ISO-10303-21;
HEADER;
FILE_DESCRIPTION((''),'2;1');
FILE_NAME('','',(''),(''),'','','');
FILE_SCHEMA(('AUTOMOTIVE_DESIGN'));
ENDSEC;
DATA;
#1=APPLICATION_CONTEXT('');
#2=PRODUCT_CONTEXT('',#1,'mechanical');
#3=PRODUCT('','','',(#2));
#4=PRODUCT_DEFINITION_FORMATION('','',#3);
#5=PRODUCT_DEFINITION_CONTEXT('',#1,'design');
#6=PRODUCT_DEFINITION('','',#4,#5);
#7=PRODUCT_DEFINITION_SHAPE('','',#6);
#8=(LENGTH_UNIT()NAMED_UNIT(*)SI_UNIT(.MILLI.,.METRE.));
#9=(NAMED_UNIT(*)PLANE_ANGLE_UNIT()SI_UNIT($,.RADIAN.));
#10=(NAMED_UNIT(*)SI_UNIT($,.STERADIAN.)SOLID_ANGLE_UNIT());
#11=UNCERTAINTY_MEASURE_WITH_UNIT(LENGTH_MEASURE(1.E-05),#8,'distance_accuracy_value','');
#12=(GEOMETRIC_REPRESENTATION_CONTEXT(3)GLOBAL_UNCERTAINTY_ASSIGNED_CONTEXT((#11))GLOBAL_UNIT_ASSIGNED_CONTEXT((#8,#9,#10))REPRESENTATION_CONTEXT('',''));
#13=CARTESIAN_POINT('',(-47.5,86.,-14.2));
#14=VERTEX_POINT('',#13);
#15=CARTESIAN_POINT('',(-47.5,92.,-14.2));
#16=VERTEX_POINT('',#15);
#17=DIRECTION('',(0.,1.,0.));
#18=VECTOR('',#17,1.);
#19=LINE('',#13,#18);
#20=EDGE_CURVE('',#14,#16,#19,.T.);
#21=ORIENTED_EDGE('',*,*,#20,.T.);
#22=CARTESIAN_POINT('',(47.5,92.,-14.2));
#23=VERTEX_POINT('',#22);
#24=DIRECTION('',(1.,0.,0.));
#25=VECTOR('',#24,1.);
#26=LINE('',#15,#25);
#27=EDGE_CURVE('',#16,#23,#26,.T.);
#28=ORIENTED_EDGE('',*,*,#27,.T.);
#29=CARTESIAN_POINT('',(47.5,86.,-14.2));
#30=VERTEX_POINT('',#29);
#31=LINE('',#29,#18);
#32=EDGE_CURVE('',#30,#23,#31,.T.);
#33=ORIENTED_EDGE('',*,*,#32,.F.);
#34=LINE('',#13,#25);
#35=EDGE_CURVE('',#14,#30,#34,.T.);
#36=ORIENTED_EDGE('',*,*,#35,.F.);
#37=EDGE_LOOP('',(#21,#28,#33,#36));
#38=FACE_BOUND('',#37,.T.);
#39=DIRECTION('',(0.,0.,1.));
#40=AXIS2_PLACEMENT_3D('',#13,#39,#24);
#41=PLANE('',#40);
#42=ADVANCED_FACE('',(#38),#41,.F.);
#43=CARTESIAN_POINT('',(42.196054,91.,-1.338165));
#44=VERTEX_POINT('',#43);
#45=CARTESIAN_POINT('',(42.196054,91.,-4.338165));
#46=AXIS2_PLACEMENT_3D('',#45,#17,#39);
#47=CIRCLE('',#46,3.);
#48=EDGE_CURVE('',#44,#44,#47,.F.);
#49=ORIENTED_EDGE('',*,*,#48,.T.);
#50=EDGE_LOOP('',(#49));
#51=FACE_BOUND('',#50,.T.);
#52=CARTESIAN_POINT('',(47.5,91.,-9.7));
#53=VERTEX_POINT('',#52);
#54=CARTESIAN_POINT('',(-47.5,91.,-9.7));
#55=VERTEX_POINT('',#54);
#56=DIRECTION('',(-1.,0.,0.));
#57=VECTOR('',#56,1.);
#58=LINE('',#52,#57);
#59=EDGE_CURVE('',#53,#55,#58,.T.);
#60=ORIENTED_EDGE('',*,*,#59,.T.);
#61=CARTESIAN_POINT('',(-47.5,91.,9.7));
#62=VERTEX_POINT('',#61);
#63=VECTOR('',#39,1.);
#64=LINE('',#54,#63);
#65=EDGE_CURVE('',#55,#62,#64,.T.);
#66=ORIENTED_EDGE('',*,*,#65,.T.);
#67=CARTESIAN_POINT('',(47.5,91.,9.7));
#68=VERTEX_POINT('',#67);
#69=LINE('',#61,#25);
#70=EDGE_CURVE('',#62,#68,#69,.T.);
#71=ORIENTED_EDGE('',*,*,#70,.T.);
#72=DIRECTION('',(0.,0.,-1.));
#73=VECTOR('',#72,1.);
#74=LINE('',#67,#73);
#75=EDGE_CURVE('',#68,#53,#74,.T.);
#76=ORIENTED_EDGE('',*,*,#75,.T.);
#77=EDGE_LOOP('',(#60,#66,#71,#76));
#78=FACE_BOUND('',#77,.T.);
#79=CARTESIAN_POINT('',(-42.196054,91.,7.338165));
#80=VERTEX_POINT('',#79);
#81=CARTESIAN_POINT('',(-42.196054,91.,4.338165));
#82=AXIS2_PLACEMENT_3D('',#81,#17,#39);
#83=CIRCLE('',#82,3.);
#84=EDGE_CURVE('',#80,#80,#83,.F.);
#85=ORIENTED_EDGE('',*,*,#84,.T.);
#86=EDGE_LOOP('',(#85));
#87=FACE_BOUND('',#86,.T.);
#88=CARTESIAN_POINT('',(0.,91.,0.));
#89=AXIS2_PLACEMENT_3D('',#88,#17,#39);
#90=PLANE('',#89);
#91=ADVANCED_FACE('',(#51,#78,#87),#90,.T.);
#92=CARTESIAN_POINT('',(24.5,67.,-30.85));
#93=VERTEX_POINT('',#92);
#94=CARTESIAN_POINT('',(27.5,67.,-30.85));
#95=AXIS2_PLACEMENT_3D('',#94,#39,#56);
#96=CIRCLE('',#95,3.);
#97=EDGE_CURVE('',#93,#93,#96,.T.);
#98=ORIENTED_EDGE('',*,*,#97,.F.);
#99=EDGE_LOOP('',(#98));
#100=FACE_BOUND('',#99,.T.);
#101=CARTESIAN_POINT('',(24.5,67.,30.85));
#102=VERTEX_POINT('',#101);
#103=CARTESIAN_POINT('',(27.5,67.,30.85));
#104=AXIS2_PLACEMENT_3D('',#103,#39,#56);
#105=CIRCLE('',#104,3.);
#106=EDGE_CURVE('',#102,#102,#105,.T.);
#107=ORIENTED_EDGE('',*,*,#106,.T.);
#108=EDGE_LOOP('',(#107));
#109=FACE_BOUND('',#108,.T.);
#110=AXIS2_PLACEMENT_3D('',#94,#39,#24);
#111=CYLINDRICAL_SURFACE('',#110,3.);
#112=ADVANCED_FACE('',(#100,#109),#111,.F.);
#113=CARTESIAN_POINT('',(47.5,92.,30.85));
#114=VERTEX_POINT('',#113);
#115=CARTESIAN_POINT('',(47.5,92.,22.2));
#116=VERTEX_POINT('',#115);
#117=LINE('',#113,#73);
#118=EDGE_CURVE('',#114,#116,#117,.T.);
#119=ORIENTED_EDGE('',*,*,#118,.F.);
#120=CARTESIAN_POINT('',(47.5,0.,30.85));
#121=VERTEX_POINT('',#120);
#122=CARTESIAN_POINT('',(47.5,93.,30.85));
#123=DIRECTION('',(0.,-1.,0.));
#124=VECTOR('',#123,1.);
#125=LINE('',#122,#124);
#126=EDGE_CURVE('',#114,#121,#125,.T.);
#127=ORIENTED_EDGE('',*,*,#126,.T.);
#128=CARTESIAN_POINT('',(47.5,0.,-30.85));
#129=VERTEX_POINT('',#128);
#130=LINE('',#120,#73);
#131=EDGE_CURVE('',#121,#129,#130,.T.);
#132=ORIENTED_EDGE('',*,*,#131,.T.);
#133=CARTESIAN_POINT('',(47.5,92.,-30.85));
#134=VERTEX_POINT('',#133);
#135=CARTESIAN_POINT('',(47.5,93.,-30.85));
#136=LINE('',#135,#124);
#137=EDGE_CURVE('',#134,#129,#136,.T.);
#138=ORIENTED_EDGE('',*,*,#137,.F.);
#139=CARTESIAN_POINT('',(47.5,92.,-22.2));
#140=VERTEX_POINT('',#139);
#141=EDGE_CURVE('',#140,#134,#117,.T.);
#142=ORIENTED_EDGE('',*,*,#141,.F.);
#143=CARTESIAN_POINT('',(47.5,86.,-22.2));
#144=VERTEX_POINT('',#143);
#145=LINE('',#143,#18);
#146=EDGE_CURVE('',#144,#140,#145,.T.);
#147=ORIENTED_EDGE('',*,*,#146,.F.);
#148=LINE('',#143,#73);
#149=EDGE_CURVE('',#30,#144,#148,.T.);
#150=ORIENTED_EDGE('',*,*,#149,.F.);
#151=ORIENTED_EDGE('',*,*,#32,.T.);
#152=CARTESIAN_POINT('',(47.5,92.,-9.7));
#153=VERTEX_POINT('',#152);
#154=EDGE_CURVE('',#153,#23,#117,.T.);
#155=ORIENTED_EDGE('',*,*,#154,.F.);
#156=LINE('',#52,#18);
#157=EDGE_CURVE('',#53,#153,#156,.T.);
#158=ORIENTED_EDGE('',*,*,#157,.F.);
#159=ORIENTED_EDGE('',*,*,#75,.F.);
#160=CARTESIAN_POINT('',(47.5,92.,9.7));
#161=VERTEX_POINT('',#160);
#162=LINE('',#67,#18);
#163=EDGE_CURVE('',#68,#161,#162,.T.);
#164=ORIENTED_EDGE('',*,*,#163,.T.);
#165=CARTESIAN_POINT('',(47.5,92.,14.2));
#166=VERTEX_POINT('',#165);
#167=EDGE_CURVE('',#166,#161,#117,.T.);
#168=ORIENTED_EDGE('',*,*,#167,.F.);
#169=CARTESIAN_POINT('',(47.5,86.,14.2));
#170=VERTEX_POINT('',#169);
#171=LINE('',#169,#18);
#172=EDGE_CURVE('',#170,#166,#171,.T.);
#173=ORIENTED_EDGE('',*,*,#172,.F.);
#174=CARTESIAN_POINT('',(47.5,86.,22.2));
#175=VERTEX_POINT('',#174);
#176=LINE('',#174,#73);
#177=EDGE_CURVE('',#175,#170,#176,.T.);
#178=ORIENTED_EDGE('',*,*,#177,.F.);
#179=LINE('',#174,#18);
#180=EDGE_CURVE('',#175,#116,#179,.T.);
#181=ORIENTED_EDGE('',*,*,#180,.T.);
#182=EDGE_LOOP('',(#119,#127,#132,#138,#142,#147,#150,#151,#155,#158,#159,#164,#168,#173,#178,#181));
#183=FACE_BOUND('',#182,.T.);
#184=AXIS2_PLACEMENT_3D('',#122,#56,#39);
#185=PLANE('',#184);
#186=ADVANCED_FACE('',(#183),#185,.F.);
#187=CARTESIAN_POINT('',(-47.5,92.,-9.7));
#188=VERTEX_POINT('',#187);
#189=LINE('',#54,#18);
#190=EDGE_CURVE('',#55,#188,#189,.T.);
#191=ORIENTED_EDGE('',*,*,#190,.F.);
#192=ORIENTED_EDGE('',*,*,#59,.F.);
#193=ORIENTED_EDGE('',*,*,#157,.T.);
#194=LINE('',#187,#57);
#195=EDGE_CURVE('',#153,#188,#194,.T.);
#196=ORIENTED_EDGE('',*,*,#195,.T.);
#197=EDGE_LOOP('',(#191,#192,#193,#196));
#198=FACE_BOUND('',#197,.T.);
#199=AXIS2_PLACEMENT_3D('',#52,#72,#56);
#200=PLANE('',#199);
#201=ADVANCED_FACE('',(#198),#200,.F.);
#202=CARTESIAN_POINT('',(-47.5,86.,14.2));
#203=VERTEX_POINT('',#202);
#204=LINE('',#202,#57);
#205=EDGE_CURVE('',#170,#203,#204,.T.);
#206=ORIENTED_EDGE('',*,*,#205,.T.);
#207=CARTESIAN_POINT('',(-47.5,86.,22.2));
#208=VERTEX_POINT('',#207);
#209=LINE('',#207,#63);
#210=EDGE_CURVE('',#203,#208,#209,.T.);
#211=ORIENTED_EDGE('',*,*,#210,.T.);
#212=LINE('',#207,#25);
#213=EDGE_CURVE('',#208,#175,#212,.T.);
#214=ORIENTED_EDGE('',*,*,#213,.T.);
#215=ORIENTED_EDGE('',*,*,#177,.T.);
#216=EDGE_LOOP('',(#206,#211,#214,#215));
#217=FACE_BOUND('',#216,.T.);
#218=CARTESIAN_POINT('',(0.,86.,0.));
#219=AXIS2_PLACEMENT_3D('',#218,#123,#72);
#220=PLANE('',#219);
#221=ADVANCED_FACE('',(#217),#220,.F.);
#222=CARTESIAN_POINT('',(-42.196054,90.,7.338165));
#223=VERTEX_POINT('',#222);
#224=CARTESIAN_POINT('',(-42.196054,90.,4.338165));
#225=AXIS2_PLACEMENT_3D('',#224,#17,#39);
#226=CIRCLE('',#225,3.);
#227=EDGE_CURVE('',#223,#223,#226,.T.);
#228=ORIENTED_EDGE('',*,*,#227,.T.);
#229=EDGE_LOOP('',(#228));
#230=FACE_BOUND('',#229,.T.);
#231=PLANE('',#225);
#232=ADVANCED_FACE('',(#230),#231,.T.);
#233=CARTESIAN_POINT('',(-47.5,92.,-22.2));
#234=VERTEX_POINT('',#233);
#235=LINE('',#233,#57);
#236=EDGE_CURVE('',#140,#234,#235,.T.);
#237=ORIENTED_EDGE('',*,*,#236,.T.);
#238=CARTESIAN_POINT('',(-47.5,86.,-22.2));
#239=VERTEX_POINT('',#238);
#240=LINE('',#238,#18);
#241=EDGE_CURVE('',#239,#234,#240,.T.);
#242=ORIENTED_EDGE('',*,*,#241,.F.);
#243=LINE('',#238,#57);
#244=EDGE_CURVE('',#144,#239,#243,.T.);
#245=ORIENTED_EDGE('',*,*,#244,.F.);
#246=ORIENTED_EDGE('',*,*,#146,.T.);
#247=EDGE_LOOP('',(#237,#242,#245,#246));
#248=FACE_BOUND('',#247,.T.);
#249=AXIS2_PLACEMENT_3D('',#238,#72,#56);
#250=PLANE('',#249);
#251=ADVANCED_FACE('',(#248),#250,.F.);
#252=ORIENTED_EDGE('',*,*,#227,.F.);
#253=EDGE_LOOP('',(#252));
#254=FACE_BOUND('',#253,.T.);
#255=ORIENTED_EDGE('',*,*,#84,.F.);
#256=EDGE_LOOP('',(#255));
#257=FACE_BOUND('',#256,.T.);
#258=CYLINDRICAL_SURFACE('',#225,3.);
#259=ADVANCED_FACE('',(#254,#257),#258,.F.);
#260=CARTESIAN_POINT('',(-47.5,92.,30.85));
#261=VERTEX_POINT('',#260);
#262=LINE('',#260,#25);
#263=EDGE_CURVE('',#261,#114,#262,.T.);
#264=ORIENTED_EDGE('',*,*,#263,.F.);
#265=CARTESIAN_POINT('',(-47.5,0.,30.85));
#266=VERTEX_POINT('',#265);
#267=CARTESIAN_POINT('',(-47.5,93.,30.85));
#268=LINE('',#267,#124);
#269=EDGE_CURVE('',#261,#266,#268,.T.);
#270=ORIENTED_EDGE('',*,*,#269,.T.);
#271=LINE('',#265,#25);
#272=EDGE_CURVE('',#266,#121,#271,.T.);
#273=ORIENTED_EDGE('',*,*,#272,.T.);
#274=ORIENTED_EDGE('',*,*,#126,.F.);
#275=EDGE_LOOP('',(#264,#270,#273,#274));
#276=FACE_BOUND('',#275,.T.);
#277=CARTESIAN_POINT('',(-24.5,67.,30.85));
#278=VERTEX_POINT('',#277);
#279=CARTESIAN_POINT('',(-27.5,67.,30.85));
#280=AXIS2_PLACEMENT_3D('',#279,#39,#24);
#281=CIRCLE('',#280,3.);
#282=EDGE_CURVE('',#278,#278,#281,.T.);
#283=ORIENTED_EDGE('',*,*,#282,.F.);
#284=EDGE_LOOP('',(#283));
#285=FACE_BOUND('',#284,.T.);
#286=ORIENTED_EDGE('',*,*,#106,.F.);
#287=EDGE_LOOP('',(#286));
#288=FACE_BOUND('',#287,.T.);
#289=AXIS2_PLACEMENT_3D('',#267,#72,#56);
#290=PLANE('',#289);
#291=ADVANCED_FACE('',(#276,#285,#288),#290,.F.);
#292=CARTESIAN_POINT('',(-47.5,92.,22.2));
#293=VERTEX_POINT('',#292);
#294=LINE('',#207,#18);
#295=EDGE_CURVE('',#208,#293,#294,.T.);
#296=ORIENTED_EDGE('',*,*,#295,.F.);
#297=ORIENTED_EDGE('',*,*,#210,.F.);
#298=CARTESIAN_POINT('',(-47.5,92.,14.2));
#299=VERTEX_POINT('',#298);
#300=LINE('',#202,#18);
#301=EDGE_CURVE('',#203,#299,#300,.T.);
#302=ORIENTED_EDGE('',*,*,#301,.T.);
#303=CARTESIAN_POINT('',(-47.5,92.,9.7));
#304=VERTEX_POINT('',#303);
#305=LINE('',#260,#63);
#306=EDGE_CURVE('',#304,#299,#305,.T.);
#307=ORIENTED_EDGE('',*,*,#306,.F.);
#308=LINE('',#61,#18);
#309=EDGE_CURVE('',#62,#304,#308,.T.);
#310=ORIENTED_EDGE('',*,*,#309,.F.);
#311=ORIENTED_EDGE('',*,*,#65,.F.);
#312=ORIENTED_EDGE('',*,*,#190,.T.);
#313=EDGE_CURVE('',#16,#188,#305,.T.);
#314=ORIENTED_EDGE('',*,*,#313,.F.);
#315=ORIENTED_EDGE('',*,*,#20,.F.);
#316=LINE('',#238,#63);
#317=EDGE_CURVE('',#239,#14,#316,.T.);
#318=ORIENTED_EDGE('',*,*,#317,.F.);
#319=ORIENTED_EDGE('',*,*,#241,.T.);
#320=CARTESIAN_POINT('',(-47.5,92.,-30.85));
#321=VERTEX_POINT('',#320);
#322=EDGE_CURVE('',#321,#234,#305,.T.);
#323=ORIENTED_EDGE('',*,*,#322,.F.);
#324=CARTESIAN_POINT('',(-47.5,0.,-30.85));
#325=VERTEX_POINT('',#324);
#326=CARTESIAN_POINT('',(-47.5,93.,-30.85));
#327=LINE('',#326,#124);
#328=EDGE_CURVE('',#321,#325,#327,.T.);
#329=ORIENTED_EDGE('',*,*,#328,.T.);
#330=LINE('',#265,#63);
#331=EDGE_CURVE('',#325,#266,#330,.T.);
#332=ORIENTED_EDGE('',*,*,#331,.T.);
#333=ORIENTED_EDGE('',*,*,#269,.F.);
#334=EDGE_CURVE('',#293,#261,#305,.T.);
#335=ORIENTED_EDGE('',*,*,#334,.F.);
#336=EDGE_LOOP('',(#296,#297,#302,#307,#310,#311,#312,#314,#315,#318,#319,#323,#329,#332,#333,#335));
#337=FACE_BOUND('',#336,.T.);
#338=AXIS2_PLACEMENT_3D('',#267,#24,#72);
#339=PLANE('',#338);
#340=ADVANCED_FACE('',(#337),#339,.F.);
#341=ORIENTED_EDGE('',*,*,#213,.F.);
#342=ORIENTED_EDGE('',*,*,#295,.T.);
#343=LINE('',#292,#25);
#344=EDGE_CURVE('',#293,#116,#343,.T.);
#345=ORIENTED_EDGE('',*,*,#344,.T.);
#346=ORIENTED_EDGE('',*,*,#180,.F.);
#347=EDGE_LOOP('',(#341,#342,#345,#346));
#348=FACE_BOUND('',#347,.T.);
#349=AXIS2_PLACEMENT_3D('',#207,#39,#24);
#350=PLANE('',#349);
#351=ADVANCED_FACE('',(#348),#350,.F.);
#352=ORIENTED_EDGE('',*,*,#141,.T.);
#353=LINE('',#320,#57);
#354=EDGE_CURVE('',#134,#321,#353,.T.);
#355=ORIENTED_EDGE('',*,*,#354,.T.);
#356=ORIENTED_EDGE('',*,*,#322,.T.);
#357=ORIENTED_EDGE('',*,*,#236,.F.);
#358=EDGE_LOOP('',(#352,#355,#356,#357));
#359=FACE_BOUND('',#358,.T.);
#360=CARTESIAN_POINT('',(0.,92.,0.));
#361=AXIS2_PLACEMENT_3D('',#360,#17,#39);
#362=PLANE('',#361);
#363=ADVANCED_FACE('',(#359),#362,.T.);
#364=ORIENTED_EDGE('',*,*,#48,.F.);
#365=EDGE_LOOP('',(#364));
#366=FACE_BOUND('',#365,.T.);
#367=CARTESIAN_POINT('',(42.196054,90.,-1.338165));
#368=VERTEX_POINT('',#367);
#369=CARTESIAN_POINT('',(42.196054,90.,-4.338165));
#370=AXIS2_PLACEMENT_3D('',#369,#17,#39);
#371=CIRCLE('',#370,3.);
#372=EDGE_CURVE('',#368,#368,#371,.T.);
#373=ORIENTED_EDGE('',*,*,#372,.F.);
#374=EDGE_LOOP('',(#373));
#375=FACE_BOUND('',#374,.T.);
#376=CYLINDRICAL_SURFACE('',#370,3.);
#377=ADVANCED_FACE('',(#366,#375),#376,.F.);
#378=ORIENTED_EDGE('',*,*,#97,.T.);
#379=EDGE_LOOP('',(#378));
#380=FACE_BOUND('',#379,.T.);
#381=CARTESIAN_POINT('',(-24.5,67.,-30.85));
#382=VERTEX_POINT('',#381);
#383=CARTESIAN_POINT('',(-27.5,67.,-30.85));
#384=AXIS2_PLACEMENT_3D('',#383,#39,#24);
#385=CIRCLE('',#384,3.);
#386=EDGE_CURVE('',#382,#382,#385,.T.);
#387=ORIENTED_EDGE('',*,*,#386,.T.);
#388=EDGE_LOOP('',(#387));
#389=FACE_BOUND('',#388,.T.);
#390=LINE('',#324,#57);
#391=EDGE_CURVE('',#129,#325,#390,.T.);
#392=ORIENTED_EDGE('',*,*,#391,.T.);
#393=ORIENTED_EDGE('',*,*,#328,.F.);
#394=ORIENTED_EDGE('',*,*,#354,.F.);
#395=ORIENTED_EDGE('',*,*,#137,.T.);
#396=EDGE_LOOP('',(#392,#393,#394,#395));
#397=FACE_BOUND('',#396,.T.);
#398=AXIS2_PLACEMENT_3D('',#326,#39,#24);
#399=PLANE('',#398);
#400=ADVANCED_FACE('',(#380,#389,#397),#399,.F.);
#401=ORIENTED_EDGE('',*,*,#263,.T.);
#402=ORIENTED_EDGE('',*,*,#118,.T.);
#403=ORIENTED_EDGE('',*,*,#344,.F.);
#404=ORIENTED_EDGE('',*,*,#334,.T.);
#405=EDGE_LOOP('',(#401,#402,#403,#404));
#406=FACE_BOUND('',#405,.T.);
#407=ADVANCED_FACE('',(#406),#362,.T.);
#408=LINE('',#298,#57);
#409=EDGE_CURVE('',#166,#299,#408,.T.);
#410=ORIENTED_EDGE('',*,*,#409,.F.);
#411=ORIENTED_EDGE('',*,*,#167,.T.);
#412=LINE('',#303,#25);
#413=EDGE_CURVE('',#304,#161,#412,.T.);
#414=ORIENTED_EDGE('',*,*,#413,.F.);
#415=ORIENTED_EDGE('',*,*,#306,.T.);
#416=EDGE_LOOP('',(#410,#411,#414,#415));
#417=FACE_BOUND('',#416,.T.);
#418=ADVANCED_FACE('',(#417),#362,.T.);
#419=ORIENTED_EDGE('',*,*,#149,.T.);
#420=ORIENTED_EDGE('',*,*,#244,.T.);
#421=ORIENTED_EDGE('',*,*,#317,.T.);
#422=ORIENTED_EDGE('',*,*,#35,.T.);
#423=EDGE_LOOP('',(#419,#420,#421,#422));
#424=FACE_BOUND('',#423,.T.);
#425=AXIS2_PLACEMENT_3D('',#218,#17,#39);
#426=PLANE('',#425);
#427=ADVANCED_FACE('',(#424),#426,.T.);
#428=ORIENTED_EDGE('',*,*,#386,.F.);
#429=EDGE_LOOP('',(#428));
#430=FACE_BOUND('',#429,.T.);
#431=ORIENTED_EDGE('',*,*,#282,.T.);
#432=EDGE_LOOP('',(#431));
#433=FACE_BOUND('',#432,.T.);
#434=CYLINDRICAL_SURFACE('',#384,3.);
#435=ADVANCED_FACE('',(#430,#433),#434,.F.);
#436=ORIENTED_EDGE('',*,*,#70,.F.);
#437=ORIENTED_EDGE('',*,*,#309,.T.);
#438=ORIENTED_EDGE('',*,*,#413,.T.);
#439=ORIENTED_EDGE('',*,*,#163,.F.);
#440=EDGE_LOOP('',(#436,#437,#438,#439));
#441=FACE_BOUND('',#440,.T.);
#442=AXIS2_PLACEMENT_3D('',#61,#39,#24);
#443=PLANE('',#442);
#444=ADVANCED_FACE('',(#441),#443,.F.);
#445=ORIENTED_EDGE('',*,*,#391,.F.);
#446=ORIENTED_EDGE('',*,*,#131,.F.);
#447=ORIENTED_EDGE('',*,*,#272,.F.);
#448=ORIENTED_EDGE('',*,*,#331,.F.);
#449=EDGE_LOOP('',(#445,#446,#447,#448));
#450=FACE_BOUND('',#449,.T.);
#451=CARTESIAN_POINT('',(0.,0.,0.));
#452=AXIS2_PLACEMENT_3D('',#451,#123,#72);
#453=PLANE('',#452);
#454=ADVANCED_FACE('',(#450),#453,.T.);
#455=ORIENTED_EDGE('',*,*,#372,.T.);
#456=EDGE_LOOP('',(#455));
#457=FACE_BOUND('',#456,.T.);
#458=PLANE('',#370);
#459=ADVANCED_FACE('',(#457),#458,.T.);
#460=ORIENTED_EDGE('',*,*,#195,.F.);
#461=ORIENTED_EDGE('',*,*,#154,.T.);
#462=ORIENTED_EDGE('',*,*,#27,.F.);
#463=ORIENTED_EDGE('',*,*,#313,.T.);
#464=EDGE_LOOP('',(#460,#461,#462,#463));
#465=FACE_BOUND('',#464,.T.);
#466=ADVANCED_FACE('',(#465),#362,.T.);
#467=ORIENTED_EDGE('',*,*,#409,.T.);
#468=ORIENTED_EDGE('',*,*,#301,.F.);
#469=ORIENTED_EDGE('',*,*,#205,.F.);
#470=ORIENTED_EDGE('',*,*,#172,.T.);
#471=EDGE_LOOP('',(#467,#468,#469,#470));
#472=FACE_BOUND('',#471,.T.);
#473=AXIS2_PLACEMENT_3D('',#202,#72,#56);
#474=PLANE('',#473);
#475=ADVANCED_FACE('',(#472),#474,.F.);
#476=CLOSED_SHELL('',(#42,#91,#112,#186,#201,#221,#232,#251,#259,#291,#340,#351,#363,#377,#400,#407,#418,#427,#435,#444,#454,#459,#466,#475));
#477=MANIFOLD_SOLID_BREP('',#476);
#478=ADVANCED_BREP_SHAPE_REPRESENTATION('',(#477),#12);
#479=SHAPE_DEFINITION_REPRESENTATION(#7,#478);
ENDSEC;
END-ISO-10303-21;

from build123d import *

# Parameters (mm, degrees)
SKETCH_1_W           = 95
SKETCH_1_H           = 61.7
EXTRUDE_1_DEPTH      = 93
SKETCH_3_OUTSIDE_W   = 126.312
SKETCH_3_OUTSIDE_H   = 93.012
SKETCH_3_OUTSIDE_W_2 = 95
SKETCH_3_OUTSIDE_H_2 = 19.4
CUT_EXTRUDE_1_DEPTH  = 1
SKETCH_4_R           = 3
CUT_EXTRUDE_2_DEPTH  = 3
SKETCH_5_W           = 95
SKETCH_5_H           = 8
CUT_EXTRUDE_3_DEPTH  = 6
SKETCH_6_W           = 95
SKETCH_6_H           = 19.4
CUT_EXTRUDE_4_DEPTH  = 2
SKETCH_7_R           = 3
CUT_EXTRUDE_5_DEPTH  = 121.528585821


with BuildPart() as part:
    # 草图1 → 凸台-拉伸1 (new body)
    with BuildSketch(Plane(origin=(0, 0, 0), x_dir=(1, 0, 0), z_dir=(0, 1, 0))):
        Rectangle(SKETCH_1_W, SKETCH_1_H)
    extrude(amount=EXTRUDE_1_DEPTH)

    # 草图3 outside → 切除-拉伸1 (cut)
    with BuildSketch(Plane(origin=(0, 93, 0), x_dir=(1, 0, 0), z_dir=(0, 1, 0))):
        Rectangle(SKETCH_3_OUTSIDE_W, SKETCH_3_OUTSIDE_H)
        Rectangle(SKETCH_3_OUTSIDE_W_2, SKETCH_3_OUTSIDE_H_2, mode=Mode.SUBTRACT)
    extrude(amount=-CUT_EXTRUDE_1_DEPTH, mode=Mode.SUBTRACT)

    # 草图4 → 切除-拉伸2 (cut)
    with BuildSketch(Plane(origin=(0, 93, 0), x_dir=(1, 0, 0), z_dir=(0, 1, 0))):
        with Locations(Location((-42.196054271, -4.338164654, 0), (0, 0, 270))):
            Circle(SKETCH_4_R)
        with Locations(Location((42.196054271, 4.338164654, 0), (0, 0, 270))):
            Circle(SKETCH_4_R)
    extrude(amount=-CUT_EXTRUDE_2_DEPTH, mode=Mode.SUBTRACT)

    # 草图5 → 切除-拉伸3 (cut)
    with BuildSketch(Plane(origin=(0, 92, 0), x_dir=(1, 0, 0), z_dir=(0, 1, 0))):
        with Locations((0, -18.2)):
            Rectangle(SKETCH_5_W, SKETCH_5_H)
        with Locations((0, 18.2)):
            Rectangle(SKETCH_5_W, SKETCH_5_H)
    extrude(amount=-CUT_EXTRUDE_3_DEPTH, mode=Mode.SUBTRACT)

    # 草图6 → 切除-拉伸4 (cut)
    with BuildSketch(Plane(origin=(0, 93, 0), x_dir=(1, 0, 0), z_dir=(0, 1, 0))):
        Rectangle(SKETCH_6_W, SKETCH_6_H)
    extrude(amount=-CUT_EXTRUDE_4_DEPTH, mode=Mode.SUBTRACT)

    # 草图7 → 切除-拉伸5 (cut, through all)
    with BuildSketch(Plane.XY.offset(30.85)):
        with Locations((-27.5, 67)):
            Circle(SKETCH_7_R)
        with Locations(Location((27.5, 67, 0), (0, 0, 180))):
            Circle(SKETCH_7_R)
    extrude(amount=-CUT_EXTRUDE_5_DEPTH, mode=Mode.SUBTRACT)


solid = part.part
